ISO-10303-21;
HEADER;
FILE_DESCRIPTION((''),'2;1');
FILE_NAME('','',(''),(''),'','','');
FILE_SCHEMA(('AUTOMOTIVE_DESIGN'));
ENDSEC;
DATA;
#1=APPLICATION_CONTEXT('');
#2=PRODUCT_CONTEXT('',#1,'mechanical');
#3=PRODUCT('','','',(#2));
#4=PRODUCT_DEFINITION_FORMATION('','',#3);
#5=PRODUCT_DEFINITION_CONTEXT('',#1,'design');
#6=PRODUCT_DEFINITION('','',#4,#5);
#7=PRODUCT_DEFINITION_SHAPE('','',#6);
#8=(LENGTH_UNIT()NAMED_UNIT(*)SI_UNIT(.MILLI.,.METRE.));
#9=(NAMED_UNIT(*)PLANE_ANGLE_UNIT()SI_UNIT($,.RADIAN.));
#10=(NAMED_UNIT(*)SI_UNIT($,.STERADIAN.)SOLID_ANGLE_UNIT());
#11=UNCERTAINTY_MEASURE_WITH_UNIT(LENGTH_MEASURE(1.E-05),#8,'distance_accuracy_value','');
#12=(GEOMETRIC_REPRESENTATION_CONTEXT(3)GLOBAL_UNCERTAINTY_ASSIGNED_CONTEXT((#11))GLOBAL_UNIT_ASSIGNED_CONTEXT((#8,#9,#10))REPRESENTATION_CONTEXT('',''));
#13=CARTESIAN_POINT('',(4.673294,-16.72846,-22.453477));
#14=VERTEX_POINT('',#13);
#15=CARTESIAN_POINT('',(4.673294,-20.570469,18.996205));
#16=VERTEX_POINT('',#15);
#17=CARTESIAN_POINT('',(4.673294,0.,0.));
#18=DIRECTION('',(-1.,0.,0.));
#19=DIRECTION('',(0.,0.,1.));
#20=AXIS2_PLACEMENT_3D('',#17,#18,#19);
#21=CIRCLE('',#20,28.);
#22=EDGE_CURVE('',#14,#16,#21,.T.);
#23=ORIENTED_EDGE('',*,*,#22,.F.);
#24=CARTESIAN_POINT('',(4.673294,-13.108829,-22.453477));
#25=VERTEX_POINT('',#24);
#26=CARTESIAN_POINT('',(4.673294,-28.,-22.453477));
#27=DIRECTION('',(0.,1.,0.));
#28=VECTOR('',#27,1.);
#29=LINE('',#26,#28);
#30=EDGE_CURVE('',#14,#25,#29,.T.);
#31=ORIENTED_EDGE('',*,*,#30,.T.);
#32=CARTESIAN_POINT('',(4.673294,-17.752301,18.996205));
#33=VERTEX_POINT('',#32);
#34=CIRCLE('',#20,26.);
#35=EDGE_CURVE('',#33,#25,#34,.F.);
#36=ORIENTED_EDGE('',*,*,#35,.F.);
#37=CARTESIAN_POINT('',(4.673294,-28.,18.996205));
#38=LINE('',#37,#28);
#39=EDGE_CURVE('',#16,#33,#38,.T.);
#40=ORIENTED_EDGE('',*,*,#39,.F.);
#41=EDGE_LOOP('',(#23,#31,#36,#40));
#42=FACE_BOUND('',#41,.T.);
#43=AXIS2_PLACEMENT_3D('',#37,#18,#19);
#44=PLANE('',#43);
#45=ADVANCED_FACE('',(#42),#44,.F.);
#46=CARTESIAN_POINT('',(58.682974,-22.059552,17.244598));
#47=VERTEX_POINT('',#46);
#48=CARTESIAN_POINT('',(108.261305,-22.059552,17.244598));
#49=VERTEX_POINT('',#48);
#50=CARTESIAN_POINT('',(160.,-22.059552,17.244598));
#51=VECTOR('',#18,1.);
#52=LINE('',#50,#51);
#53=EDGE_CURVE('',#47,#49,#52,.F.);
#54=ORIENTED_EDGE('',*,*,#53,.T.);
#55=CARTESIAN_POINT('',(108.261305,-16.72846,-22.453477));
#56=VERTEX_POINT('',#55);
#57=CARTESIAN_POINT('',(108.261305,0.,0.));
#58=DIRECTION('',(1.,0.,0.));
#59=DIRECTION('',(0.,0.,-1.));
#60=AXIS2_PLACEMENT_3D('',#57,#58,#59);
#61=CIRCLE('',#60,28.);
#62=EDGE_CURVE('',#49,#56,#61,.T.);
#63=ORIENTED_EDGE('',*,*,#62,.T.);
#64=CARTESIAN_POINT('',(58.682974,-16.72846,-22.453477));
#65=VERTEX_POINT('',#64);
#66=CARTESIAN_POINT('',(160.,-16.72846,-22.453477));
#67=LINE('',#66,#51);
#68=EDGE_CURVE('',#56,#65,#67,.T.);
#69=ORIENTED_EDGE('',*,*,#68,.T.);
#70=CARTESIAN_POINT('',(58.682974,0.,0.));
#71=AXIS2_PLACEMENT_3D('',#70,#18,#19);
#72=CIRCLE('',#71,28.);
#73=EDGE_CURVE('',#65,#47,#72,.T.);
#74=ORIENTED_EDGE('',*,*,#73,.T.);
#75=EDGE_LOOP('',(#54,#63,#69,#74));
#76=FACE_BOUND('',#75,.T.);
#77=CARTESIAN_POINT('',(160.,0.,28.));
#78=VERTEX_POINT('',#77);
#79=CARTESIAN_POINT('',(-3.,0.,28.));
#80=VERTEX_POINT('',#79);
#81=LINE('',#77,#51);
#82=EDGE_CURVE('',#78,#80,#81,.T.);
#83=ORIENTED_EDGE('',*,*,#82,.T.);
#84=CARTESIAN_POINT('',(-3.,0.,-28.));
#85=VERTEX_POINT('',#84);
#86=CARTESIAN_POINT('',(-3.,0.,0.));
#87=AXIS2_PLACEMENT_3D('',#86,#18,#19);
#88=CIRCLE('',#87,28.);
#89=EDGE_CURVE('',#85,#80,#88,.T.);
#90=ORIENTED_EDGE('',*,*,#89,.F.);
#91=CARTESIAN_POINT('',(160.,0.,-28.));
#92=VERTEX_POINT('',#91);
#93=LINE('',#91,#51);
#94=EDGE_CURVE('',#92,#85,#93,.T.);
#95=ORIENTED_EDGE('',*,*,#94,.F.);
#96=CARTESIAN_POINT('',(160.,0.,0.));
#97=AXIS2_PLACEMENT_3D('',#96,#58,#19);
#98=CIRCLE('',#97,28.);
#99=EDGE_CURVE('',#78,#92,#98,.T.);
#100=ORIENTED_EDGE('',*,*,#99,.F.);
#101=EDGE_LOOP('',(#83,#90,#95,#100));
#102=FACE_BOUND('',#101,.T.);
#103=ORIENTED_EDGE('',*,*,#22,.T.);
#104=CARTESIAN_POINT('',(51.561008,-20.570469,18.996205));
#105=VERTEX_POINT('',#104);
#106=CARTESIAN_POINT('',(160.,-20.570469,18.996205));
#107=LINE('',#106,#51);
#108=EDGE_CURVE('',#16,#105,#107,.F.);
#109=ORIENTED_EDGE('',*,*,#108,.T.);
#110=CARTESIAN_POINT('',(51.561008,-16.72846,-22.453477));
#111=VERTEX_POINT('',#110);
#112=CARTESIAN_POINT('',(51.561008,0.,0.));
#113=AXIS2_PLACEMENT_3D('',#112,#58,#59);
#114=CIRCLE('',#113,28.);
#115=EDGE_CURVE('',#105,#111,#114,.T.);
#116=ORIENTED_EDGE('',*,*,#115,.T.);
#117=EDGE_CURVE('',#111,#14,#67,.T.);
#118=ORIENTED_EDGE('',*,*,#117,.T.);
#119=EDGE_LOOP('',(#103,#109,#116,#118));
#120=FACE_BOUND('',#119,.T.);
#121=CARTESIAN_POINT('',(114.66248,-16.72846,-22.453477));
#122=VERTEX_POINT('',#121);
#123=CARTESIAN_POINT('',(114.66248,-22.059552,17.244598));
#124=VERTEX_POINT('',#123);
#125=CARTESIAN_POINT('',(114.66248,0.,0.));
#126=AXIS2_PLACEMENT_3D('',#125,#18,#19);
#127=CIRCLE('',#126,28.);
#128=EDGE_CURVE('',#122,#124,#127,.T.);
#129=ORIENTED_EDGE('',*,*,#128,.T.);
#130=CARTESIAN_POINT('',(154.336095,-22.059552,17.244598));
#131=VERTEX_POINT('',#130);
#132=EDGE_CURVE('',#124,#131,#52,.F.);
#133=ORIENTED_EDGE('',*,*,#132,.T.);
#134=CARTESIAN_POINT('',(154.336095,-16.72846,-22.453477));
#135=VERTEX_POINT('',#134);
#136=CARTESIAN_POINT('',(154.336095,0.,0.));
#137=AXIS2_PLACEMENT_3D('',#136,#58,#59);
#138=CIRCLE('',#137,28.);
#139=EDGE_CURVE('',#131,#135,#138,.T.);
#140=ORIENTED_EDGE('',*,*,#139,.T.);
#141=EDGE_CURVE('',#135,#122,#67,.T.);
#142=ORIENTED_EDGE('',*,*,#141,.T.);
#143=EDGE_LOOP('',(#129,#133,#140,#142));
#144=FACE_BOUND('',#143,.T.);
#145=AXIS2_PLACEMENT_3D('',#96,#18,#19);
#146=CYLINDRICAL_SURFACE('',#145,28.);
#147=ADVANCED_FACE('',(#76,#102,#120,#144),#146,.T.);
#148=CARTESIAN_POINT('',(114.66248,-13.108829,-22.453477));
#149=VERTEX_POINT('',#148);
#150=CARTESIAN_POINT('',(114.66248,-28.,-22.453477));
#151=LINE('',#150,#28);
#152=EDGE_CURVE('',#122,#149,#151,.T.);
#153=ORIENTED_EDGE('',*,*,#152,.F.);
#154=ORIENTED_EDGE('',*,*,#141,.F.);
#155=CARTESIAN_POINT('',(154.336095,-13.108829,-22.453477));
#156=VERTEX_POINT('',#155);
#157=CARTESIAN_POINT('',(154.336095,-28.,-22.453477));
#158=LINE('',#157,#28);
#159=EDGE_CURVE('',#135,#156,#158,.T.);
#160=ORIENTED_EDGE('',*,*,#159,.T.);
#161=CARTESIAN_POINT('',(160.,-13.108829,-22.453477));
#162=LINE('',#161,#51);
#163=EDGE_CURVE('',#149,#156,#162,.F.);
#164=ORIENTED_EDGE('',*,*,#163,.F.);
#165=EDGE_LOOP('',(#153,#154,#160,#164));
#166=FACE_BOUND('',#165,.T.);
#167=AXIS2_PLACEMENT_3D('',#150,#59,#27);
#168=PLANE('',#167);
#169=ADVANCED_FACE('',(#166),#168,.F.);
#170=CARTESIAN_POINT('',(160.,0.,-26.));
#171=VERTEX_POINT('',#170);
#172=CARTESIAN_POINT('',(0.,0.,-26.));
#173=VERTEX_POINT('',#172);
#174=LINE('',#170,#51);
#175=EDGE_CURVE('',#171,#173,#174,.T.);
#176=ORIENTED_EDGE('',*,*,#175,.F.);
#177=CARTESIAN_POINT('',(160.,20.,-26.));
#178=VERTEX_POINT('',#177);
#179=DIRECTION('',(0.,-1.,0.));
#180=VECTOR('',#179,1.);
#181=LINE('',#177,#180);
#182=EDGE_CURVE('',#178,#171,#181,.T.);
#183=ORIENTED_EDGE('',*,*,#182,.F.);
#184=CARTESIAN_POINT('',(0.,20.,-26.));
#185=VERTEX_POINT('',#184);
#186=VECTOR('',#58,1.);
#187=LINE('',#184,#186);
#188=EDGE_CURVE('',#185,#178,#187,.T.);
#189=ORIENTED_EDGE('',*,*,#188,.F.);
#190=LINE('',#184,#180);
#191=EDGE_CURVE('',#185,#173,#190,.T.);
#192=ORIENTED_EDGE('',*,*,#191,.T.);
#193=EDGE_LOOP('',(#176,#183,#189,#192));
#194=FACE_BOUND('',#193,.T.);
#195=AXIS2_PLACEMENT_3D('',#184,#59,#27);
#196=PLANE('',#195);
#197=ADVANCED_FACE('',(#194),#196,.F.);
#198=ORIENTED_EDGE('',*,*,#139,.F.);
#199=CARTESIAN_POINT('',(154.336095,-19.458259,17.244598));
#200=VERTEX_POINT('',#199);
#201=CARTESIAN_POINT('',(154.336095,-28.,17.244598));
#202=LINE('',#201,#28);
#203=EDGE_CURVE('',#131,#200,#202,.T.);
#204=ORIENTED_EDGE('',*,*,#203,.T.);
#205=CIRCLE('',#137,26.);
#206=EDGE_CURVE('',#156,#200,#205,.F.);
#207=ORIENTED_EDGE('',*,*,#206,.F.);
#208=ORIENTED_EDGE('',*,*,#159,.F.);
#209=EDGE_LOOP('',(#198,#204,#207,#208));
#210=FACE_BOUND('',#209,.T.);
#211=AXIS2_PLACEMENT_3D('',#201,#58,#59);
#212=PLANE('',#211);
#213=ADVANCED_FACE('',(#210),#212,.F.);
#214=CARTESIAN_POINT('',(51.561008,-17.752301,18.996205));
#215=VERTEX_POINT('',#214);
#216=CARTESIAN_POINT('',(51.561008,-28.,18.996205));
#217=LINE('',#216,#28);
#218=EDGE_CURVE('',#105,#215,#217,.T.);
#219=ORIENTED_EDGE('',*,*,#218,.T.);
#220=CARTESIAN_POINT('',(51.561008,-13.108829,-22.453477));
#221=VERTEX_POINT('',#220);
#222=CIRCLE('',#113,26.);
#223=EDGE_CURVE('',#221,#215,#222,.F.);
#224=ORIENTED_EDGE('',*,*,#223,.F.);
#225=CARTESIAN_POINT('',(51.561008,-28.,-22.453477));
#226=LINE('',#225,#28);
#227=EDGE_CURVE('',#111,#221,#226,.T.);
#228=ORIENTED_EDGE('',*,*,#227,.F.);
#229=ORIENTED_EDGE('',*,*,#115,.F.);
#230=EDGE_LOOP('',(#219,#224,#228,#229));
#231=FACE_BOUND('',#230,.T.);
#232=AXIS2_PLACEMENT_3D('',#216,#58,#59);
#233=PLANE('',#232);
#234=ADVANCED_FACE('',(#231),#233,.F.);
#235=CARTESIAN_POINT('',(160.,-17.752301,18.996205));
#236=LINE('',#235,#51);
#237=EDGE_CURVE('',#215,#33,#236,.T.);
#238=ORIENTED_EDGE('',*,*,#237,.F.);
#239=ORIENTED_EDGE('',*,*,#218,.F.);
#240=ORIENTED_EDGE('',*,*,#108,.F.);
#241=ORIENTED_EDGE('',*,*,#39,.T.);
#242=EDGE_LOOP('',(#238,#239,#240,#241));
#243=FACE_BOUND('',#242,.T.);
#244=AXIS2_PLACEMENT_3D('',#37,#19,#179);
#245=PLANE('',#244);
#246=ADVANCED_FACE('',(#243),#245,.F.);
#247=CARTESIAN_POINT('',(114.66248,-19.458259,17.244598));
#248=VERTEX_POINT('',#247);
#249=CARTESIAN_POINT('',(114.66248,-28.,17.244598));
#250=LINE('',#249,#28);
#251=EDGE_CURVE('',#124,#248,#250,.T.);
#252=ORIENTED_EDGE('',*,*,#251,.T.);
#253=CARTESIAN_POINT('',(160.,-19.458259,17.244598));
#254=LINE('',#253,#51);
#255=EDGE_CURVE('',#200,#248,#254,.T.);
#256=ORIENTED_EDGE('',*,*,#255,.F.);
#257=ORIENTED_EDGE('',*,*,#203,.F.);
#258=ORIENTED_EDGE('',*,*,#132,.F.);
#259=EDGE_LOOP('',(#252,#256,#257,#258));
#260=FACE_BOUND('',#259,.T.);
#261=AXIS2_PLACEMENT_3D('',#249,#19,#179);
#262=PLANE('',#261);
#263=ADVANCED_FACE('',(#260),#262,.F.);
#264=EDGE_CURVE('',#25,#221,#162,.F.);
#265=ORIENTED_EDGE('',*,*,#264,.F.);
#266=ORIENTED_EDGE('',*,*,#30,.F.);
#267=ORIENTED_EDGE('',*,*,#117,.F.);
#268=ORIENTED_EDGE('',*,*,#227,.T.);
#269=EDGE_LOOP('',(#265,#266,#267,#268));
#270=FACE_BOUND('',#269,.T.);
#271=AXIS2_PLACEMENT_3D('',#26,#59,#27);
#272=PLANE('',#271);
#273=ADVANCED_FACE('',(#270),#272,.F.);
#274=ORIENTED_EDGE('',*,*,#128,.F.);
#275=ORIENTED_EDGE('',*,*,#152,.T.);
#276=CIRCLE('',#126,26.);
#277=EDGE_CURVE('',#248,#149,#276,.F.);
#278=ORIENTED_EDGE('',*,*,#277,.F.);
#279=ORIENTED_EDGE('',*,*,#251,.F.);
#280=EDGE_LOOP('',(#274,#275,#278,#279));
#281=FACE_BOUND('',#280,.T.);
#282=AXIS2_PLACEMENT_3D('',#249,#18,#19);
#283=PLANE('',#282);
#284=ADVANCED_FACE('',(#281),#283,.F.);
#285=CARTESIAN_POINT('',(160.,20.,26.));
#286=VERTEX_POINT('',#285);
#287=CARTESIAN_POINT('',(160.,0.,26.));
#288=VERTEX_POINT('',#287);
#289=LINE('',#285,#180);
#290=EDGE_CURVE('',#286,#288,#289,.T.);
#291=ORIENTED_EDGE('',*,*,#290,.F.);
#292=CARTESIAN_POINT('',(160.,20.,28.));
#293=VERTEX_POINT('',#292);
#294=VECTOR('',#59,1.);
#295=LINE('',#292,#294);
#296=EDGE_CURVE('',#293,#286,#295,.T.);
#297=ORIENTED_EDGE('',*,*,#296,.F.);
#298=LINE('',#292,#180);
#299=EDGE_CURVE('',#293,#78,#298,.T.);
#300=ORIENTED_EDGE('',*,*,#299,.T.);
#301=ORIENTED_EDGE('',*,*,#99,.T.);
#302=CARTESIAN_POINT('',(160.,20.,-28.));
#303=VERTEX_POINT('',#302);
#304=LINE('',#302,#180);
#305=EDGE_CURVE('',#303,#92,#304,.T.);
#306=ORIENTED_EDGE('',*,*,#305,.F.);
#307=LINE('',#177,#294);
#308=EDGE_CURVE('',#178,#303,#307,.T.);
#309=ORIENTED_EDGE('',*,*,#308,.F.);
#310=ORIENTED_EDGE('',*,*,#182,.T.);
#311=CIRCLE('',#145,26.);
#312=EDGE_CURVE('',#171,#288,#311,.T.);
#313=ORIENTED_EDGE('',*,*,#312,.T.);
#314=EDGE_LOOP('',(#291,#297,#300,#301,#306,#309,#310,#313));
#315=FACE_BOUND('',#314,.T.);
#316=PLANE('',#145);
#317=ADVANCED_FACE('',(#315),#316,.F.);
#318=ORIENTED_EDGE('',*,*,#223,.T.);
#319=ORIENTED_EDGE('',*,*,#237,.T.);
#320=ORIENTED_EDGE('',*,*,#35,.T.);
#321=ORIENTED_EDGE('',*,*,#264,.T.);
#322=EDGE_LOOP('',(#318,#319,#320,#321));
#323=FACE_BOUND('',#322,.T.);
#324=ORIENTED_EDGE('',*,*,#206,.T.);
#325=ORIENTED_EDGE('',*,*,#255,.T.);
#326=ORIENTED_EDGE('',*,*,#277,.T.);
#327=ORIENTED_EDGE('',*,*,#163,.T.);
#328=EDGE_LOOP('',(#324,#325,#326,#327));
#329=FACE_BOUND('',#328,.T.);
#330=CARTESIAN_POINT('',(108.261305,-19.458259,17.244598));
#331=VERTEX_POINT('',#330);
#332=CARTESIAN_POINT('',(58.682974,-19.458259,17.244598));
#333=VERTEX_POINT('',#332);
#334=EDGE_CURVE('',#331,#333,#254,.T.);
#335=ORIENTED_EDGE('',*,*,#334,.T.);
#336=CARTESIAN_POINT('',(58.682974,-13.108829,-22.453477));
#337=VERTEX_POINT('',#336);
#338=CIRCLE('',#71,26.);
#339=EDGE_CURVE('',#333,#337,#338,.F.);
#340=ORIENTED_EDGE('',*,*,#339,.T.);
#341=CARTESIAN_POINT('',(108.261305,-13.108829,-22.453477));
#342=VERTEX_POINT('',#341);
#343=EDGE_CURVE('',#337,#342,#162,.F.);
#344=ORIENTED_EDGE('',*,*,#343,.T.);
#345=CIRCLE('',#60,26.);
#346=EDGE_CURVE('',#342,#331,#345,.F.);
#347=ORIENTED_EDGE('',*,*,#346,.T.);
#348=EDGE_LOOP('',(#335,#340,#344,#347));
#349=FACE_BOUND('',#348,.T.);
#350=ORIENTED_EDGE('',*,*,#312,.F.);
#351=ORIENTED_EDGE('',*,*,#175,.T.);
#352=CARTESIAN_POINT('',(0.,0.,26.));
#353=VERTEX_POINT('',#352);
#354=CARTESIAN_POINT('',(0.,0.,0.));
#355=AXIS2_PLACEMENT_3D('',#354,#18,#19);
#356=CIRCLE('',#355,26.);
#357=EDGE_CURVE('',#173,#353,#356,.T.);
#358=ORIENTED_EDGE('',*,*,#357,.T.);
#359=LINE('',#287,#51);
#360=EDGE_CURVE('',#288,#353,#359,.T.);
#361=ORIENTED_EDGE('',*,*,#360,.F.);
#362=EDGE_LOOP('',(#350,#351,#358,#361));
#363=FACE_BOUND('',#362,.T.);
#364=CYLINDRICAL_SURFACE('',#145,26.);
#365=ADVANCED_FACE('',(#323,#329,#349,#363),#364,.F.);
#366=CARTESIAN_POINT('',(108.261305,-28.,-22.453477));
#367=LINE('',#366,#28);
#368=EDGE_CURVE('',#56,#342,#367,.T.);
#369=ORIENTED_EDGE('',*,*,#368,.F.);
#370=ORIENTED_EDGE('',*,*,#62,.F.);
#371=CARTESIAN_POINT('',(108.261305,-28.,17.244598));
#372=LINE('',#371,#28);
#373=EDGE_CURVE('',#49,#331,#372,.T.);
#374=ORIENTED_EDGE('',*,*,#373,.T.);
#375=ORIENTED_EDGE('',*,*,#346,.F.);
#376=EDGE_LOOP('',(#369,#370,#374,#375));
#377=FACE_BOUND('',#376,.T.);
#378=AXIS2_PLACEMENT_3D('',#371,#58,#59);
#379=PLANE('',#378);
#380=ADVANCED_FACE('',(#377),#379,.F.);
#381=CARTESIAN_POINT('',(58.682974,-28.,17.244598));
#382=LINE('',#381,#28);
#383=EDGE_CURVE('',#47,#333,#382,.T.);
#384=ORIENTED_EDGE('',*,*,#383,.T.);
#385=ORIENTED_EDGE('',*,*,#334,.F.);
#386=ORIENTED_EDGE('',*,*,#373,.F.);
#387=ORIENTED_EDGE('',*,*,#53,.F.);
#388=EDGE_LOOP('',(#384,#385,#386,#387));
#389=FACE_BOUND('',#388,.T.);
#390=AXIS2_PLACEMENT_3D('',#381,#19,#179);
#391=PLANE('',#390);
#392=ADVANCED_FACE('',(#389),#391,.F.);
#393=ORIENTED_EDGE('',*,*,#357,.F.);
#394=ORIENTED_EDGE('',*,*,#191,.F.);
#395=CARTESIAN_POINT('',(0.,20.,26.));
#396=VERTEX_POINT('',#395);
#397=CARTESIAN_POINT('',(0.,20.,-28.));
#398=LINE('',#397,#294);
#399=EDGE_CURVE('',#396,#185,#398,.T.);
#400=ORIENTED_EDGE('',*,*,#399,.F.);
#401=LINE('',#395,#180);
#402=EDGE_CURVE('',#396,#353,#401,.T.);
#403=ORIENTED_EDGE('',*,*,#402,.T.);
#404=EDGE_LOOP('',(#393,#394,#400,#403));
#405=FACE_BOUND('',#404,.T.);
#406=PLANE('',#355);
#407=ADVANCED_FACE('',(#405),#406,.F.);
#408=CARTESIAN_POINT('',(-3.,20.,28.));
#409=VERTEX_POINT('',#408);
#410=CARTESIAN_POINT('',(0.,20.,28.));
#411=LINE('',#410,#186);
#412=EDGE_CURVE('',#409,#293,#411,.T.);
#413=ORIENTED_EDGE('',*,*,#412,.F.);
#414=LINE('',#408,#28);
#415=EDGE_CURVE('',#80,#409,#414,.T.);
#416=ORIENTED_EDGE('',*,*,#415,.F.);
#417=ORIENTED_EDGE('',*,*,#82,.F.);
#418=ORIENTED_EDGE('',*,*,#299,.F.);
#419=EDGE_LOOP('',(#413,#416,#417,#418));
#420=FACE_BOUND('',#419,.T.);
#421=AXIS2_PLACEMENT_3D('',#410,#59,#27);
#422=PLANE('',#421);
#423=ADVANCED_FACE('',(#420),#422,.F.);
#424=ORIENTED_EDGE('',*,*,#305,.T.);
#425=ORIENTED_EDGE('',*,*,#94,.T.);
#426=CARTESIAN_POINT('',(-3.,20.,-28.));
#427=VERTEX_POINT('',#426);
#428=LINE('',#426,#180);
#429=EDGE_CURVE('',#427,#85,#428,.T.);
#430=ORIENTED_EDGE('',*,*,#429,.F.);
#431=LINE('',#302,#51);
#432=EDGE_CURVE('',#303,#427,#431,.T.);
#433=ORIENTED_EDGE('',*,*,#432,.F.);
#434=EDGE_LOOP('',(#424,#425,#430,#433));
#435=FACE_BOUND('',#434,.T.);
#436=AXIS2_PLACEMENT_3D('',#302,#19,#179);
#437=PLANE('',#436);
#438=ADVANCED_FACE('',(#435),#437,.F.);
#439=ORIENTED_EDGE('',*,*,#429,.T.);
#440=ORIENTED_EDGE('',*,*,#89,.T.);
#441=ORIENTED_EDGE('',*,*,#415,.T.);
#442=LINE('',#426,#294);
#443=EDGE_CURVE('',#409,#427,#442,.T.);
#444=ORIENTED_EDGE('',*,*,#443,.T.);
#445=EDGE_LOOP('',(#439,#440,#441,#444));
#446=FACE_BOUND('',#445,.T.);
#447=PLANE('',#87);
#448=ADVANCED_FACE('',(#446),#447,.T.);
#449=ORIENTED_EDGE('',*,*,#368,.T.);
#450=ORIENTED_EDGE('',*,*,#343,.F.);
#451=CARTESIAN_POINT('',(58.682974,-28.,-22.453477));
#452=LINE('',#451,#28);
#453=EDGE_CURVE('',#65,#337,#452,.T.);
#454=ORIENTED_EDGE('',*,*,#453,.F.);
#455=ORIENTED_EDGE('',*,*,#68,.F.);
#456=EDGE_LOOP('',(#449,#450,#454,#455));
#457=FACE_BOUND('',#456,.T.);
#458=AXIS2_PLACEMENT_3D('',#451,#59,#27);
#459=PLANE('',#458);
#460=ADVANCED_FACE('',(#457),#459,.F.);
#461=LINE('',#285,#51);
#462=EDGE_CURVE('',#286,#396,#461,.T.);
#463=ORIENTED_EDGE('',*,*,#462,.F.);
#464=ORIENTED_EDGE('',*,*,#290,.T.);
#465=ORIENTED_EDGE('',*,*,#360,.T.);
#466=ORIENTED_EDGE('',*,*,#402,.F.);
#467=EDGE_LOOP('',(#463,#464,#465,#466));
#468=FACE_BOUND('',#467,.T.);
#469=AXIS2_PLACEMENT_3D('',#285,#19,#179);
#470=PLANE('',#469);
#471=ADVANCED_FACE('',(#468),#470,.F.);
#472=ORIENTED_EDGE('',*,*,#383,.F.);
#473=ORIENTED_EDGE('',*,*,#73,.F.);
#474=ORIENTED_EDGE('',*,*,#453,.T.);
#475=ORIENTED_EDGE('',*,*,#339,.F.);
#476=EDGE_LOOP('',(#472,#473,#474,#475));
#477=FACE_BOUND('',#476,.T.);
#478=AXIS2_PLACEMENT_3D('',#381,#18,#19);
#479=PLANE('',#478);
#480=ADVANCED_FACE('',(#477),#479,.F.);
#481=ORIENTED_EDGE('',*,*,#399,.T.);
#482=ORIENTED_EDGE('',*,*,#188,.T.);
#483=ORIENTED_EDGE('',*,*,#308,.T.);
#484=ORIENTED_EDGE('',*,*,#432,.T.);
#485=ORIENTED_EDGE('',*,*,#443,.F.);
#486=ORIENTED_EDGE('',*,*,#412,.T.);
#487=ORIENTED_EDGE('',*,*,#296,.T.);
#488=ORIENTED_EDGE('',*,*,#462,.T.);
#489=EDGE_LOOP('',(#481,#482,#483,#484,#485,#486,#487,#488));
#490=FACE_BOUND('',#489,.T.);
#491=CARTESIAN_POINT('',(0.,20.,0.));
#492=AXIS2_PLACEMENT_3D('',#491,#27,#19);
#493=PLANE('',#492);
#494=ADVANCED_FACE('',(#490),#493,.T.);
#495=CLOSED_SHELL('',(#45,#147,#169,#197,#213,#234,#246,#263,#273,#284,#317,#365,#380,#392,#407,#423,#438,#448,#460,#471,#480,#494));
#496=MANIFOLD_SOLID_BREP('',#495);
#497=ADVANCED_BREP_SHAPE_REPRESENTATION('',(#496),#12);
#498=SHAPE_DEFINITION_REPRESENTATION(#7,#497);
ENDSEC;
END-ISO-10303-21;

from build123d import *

# Parameters (mm, degrees)
BOSS_EXTRUDE1_DEPTH = 160
SKETCH2_W           = 160
SKETCH2_H           = 2
BOSS_EXTRUDE2_DEPTH = 20
BOSS_EXTRUDE3_START = 3
BOSS_EXTRUDE3_DEPTH = 3
SKETCH4_W           = 46.887714477
SKETCH4_H           = 41.449681409
SKETCH4_W_2         = 49.578331284
SKETCH4_H_2         = 39.698074899
SKETCH4_W_3         = 39.67361458
CUT_EXTRUDE1_DEPTH  = 170.375322878


with BuildPart() as part:
    # Sketch1 → Boss-Extrude1 (new body)
    with BuildSketch(Plane(origin=(0, 0, 0), x_dir=(0, 0, -1), z_dir=(1, 0, 0))):
        with BuildLine():
            Line((26, 0), (28, 0))
            ThreePointArc((28, 0), (0, -28), (-28, 0))
            Line((-28, 0), (-26, 0))
            ThreePointArc((-26, 0), (0, -26), (26, 0))
        make_face()
    extrude(amount=BOSS_EXTRUDE1_DEPTH)

    # Sketch2 → Boss-Extrude2 (add)
    with BuildSketch(Plane(origin=(0, 0, 0), x_dir=(1, 0, 0), z_dir=(0, 1, 0))):
        with Locations((80, 27)):
            Rectangle(SKETCH2_W, SKETCH2_H)
        with Locations((80, -27)):
            Rectangle(SKETCH2_W, SKETCH2_H)
    extrude(amount=BOSS_EXTRUDE2_DEPTH)

    # Sketch3 → Boss-Extrude3 (add)
    with BuildSketch(Plane.ZY.offset(BOSS_EXTRUDE3_START)):
        with BuildLine():
            Line((-28, 20), (28, 20))
            Line((28, 20), (28, 0))
            ThreePointArc((28, 0), (0, -28), (-28, 0))
            Line((-28, 0), (-28, 20))
        make_face()
    extrude(amount=-BOSS_EXTRUDE3_DEPTH)

    # Sketch4 → Cut-Extrude1 (cut, through all)
    with BuildSketch(Plane(origin=(0, 20, 0), x_dir=(1, 0, 0), z_dir=(0, 1, 0))):
        with Locations((28.117150866, 1.72863595)):
            Rectangle(SKETCH4_W, SKETCH4_H)
        with Locations((83.472139496, 2.604439205)):
            Rectangle(SKETCH4_W_2, SKETCH4_H_2)
        with Locations((134.499287451, 2.604439205)):
            Rectangle(SKETCH4_W_3, SKETCH4_H_2)
    extrude(amount=-CUT_EXTRUDE1_DEPTH, mode=Mode.SUBTRACT)


solid = part.part
